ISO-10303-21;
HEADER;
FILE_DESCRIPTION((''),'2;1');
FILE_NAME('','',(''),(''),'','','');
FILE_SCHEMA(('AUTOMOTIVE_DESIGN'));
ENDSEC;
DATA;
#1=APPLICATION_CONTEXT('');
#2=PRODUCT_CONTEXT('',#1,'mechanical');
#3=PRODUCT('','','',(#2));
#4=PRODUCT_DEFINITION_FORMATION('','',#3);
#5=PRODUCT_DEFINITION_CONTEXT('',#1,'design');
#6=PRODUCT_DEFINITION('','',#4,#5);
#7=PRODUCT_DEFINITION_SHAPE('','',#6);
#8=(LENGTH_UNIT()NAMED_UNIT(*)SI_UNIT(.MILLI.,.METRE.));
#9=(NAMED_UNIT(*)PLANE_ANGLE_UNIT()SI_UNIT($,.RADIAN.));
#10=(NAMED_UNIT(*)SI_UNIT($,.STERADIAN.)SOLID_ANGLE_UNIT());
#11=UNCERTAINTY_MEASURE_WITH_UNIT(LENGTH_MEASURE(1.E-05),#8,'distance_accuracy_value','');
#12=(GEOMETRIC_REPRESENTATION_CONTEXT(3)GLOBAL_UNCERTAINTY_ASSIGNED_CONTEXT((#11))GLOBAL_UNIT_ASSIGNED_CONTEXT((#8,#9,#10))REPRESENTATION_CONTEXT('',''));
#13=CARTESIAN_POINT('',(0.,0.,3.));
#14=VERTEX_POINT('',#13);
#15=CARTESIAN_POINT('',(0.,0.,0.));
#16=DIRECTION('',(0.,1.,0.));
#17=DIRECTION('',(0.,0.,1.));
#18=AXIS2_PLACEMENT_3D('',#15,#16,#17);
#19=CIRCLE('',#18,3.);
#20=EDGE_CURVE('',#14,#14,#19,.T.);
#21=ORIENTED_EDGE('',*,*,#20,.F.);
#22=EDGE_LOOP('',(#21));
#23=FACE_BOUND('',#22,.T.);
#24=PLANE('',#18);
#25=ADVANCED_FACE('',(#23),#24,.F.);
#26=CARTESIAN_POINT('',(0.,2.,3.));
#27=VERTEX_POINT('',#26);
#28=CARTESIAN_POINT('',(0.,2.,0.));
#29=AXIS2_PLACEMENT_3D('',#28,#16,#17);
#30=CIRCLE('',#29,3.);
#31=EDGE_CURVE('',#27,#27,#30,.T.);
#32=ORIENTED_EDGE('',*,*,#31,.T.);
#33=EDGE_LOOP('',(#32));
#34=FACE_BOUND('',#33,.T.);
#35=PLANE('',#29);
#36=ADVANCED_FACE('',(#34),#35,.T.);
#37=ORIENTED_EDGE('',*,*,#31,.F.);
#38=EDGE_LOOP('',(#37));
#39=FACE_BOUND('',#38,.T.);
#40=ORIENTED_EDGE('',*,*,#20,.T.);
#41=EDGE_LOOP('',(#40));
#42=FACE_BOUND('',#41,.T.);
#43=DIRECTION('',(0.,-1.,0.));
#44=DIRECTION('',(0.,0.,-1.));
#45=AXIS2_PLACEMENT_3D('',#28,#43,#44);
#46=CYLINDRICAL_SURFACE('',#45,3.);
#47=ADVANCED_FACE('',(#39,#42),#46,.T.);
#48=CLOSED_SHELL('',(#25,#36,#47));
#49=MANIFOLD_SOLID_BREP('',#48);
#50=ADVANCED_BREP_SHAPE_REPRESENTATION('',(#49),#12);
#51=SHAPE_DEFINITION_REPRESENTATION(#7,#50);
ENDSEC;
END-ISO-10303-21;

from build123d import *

# Parameters (mm, degrees)
SKETCH1_R           = 3
BOSS_EXTRUDE1_DEPTH = 2


with BuildPart() as part:
    # Sketch1 → Boss-Extrude1 (new body)
    with BuildSketch(Plane(origin=(0, 0, 0), x_dir=(1, 0, 0), z_dir=(0, 1, 0))):
        Circle(SKETCH1_R)
    extrude(amount=BOSS_EXTRUDE1_DEPTH)


solid = part.part
